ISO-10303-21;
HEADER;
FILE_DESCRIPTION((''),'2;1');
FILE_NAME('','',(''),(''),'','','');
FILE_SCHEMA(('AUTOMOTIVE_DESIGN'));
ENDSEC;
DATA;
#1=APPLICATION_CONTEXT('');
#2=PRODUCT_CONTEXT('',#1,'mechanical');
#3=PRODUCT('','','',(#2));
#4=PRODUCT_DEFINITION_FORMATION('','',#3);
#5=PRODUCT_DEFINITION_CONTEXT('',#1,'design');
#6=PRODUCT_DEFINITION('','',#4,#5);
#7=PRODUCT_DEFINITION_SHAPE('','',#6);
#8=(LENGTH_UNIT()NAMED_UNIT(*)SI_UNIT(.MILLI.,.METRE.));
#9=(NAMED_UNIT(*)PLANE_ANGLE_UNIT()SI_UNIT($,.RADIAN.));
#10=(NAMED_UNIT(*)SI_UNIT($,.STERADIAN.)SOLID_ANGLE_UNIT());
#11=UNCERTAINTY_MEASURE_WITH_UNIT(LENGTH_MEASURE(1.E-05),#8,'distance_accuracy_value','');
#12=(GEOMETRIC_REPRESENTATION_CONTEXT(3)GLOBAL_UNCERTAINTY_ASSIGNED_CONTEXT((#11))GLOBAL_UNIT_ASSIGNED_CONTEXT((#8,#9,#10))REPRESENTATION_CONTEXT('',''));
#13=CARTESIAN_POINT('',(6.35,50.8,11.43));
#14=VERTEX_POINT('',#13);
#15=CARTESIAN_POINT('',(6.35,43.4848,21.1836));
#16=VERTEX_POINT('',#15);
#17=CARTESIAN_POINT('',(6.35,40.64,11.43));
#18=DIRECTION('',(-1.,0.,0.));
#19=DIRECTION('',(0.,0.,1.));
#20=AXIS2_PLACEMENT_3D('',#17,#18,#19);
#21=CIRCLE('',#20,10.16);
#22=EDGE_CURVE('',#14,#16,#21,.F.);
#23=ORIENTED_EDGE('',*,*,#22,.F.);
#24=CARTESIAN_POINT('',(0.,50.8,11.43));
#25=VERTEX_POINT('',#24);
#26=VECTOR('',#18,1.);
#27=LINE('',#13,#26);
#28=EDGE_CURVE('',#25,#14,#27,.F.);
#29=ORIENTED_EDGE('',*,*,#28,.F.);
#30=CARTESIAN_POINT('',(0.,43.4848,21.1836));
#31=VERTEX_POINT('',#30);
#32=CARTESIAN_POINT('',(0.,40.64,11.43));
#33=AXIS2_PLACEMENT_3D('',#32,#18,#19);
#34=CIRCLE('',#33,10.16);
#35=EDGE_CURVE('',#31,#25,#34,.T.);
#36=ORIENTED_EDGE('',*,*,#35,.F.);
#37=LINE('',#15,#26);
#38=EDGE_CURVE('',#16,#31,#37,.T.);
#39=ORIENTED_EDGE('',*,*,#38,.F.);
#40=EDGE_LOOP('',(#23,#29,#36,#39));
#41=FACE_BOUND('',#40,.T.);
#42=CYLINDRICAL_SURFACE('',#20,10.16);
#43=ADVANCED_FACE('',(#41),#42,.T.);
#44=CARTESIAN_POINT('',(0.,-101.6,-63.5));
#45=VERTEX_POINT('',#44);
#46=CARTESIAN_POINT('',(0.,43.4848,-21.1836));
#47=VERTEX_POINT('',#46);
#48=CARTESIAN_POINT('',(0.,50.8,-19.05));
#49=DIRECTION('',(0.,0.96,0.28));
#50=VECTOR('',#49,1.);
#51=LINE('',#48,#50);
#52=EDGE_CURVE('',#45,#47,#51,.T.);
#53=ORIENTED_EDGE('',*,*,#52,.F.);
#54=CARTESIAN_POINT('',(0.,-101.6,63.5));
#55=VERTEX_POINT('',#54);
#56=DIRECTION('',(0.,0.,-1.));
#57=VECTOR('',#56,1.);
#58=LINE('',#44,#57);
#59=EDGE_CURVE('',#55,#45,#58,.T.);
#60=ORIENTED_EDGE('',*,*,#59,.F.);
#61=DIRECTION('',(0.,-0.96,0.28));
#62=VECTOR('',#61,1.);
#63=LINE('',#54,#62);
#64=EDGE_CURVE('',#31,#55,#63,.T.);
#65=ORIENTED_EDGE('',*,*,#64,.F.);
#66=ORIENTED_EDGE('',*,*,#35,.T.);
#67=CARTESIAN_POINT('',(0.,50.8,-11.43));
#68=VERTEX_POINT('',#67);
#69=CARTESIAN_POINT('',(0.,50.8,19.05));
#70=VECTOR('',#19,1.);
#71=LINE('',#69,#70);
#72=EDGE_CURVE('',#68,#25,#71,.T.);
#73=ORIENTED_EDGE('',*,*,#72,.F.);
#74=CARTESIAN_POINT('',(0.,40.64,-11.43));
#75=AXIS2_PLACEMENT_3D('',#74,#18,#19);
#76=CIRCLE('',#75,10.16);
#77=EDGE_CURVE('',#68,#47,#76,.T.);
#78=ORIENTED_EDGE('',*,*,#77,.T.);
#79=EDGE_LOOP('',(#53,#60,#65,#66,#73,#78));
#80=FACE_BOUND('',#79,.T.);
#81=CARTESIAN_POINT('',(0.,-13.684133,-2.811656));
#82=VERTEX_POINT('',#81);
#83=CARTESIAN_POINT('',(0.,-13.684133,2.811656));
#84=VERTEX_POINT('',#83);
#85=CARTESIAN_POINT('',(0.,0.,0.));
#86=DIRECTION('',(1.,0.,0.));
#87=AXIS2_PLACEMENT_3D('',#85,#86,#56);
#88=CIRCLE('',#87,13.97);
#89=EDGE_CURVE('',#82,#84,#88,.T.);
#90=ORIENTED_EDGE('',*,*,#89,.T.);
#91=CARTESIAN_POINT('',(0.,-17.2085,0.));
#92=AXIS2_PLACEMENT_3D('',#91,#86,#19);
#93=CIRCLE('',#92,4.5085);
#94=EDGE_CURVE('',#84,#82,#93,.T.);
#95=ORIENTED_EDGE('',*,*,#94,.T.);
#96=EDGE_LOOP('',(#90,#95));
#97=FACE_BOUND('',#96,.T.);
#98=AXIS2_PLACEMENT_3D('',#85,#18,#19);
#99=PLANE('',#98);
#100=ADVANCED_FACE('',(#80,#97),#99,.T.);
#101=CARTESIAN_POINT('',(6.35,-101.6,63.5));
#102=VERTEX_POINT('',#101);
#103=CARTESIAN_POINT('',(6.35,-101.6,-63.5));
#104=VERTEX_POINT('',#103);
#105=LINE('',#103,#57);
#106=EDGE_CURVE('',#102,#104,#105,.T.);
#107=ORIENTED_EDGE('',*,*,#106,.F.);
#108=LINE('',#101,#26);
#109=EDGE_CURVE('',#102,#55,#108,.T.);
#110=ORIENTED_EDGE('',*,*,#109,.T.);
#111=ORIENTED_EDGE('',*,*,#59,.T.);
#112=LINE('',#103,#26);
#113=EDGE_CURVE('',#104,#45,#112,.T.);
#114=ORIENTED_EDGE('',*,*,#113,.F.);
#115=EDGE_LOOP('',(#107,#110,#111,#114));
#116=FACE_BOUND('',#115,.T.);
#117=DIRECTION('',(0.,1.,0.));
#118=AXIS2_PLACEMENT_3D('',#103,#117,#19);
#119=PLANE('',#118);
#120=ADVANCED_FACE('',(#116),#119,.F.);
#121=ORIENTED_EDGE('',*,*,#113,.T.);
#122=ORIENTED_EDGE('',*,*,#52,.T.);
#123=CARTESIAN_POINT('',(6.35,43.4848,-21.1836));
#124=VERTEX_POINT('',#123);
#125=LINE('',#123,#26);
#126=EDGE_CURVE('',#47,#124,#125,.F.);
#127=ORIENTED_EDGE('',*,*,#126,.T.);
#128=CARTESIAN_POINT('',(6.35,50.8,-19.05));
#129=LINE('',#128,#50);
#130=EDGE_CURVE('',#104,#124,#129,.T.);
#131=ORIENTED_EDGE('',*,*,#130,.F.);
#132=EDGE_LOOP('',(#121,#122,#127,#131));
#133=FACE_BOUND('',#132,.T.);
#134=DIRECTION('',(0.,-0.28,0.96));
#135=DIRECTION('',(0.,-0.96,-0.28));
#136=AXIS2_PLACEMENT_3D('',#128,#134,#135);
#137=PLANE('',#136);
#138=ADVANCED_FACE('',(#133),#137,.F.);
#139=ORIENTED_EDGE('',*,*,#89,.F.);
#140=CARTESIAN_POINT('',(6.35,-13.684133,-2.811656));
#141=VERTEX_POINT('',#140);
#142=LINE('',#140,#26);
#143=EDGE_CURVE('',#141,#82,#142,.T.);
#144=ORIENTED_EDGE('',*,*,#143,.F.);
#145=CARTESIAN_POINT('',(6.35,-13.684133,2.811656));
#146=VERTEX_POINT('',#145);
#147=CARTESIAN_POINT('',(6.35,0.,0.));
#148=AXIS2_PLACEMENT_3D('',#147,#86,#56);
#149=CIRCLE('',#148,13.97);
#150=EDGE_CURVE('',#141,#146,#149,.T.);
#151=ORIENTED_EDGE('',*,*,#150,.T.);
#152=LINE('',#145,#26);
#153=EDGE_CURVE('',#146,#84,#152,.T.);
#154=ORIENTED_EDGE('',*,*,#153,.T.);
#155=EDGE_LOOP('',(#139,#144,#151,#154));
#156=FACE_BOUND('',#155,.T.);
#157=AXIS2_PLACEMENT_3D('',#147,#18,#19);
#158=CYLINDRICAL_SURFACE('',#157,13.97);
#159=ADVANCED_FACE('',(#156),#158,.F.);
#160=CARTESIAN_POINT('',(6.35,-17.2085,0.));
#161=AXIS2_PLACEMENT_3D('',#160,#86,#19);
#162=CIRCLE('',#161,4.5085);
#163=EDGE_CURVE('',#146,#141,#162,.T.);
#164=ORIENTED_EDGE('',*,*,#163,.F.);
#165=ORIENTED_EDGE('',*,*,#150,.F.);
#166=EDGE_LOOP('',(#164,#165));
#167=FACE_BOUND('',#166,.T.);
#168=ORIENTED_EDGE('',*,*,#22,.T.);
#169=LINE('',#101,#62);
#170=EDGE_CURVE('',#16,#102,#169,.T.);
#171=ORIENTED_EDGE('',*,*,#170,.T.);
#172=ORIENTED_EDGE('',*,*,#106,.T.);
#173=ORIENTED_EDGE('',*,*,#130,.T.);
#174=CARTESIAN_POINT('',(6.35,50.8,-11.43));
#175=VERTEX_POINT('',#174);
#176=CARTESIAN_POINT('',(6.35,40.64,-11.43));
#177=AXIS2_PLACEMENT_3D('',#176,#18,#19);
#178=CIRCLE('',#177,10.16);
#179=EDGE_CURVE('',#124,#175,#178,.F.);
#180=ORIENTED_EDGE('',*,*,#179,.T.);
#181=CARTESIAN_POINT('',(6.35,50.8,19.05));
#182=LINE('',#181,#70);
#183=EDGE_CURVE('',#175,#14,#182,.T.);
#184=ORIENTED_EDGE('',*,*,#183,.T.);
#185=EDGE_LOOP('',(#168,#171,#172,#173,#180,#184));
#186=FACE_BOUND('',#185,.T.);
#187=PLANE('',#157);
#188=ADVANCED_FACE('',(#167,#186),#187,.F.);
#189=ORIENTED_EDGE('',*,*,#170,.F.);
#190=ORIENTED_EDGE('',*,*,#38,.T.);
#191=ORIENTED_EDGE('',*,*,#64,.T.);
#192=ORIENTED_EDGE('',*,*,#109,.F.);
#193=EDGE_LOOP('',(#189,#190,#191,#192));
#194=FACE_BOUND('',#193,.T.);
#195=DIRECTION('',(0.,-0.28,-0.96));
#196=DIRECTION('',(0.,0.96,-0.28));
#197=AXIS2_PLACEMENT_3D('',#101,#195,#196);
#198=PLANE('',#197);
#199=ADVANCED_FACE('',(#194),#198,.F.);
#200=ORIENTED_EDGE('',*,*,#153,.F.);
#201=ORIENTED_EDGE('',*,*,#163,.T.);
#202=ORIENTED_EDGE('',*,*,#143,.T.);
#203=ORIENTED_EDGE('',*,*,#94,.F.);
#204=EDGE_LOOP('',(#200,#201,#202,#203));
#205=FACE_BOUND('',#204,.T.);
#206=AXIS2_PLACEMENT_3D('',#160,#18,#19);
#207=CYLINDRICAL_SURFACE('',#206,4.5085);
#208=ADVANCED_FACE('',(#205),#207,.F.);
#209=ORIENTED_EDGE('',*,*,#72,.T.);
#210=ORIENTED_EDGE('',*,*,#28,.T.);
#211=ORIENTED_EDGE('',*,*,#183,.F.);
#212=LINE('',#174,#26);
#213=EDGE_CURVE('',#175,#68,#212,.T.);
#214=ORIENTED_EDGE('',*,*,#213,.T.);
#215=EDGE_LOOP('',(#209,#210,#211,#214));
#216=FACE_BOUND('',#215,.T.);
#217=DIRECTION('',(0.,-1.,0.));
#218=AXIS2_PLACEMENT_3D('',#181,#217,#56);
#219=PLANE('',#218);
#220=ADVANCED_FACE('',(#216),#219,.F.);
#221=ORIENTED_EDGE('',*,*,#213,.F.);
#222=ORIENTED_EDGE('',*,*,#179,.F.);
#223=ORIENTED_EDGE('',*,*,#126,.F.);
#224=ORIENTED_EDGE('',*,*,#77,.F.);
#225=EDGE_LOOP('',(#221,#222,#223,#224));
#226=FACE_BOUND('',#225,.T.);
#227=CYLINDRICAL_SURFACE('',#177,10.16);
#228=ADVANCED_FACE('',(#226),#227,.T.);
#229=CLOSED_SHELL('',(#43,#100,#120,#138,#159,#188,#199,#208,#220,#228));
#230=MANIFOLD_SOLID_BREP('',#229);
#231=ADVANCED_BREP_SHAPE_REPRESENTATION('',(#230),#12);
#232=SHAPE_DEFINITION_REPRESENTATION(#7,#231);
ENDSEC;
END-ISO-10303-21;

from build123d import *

# Parameters (mm, degrees)
BOSS_EXTRUDE1_DEPTH = 6.35
FILLET2_R           = 10.16


with BuildPart() as part:
    # Sketch1 → Boss-Extrude1 (new body)
    with BuildSketch(Plane(origin=(0, 0, 0), x_dir=(0, 0, -1), z_dir=(1, 0, 0))):
        Polygon((-63.5, -101.6), (-19.05, 50.8), (19.05, 50.8), (63.5, -101.6), align=None)
        with BuildLine():
            ThreePointArc((2.811655808, -13.684132841), (0, 13.97), (-2.811655808, -13.684132841))
            ThreePointArc((-2.811655808, -13.684132841), (0, -21.717), (2.811655808, -13.684132841))
        make_face(mode=Mode.SUBTRACT)
    extrude(amount=BOSS_EXTRUDE1_DEPTH)

    # Fillet2
    fillet2_edges = [part.edges().sort_by_distance(p)[0] for p in [
        (3.175, 50.8, 19.05),
        (3.175, 50.8, -19.05),
    ]]
    fillet(fillet2_edges, radius=FILLET2_R)


solid = part.part
